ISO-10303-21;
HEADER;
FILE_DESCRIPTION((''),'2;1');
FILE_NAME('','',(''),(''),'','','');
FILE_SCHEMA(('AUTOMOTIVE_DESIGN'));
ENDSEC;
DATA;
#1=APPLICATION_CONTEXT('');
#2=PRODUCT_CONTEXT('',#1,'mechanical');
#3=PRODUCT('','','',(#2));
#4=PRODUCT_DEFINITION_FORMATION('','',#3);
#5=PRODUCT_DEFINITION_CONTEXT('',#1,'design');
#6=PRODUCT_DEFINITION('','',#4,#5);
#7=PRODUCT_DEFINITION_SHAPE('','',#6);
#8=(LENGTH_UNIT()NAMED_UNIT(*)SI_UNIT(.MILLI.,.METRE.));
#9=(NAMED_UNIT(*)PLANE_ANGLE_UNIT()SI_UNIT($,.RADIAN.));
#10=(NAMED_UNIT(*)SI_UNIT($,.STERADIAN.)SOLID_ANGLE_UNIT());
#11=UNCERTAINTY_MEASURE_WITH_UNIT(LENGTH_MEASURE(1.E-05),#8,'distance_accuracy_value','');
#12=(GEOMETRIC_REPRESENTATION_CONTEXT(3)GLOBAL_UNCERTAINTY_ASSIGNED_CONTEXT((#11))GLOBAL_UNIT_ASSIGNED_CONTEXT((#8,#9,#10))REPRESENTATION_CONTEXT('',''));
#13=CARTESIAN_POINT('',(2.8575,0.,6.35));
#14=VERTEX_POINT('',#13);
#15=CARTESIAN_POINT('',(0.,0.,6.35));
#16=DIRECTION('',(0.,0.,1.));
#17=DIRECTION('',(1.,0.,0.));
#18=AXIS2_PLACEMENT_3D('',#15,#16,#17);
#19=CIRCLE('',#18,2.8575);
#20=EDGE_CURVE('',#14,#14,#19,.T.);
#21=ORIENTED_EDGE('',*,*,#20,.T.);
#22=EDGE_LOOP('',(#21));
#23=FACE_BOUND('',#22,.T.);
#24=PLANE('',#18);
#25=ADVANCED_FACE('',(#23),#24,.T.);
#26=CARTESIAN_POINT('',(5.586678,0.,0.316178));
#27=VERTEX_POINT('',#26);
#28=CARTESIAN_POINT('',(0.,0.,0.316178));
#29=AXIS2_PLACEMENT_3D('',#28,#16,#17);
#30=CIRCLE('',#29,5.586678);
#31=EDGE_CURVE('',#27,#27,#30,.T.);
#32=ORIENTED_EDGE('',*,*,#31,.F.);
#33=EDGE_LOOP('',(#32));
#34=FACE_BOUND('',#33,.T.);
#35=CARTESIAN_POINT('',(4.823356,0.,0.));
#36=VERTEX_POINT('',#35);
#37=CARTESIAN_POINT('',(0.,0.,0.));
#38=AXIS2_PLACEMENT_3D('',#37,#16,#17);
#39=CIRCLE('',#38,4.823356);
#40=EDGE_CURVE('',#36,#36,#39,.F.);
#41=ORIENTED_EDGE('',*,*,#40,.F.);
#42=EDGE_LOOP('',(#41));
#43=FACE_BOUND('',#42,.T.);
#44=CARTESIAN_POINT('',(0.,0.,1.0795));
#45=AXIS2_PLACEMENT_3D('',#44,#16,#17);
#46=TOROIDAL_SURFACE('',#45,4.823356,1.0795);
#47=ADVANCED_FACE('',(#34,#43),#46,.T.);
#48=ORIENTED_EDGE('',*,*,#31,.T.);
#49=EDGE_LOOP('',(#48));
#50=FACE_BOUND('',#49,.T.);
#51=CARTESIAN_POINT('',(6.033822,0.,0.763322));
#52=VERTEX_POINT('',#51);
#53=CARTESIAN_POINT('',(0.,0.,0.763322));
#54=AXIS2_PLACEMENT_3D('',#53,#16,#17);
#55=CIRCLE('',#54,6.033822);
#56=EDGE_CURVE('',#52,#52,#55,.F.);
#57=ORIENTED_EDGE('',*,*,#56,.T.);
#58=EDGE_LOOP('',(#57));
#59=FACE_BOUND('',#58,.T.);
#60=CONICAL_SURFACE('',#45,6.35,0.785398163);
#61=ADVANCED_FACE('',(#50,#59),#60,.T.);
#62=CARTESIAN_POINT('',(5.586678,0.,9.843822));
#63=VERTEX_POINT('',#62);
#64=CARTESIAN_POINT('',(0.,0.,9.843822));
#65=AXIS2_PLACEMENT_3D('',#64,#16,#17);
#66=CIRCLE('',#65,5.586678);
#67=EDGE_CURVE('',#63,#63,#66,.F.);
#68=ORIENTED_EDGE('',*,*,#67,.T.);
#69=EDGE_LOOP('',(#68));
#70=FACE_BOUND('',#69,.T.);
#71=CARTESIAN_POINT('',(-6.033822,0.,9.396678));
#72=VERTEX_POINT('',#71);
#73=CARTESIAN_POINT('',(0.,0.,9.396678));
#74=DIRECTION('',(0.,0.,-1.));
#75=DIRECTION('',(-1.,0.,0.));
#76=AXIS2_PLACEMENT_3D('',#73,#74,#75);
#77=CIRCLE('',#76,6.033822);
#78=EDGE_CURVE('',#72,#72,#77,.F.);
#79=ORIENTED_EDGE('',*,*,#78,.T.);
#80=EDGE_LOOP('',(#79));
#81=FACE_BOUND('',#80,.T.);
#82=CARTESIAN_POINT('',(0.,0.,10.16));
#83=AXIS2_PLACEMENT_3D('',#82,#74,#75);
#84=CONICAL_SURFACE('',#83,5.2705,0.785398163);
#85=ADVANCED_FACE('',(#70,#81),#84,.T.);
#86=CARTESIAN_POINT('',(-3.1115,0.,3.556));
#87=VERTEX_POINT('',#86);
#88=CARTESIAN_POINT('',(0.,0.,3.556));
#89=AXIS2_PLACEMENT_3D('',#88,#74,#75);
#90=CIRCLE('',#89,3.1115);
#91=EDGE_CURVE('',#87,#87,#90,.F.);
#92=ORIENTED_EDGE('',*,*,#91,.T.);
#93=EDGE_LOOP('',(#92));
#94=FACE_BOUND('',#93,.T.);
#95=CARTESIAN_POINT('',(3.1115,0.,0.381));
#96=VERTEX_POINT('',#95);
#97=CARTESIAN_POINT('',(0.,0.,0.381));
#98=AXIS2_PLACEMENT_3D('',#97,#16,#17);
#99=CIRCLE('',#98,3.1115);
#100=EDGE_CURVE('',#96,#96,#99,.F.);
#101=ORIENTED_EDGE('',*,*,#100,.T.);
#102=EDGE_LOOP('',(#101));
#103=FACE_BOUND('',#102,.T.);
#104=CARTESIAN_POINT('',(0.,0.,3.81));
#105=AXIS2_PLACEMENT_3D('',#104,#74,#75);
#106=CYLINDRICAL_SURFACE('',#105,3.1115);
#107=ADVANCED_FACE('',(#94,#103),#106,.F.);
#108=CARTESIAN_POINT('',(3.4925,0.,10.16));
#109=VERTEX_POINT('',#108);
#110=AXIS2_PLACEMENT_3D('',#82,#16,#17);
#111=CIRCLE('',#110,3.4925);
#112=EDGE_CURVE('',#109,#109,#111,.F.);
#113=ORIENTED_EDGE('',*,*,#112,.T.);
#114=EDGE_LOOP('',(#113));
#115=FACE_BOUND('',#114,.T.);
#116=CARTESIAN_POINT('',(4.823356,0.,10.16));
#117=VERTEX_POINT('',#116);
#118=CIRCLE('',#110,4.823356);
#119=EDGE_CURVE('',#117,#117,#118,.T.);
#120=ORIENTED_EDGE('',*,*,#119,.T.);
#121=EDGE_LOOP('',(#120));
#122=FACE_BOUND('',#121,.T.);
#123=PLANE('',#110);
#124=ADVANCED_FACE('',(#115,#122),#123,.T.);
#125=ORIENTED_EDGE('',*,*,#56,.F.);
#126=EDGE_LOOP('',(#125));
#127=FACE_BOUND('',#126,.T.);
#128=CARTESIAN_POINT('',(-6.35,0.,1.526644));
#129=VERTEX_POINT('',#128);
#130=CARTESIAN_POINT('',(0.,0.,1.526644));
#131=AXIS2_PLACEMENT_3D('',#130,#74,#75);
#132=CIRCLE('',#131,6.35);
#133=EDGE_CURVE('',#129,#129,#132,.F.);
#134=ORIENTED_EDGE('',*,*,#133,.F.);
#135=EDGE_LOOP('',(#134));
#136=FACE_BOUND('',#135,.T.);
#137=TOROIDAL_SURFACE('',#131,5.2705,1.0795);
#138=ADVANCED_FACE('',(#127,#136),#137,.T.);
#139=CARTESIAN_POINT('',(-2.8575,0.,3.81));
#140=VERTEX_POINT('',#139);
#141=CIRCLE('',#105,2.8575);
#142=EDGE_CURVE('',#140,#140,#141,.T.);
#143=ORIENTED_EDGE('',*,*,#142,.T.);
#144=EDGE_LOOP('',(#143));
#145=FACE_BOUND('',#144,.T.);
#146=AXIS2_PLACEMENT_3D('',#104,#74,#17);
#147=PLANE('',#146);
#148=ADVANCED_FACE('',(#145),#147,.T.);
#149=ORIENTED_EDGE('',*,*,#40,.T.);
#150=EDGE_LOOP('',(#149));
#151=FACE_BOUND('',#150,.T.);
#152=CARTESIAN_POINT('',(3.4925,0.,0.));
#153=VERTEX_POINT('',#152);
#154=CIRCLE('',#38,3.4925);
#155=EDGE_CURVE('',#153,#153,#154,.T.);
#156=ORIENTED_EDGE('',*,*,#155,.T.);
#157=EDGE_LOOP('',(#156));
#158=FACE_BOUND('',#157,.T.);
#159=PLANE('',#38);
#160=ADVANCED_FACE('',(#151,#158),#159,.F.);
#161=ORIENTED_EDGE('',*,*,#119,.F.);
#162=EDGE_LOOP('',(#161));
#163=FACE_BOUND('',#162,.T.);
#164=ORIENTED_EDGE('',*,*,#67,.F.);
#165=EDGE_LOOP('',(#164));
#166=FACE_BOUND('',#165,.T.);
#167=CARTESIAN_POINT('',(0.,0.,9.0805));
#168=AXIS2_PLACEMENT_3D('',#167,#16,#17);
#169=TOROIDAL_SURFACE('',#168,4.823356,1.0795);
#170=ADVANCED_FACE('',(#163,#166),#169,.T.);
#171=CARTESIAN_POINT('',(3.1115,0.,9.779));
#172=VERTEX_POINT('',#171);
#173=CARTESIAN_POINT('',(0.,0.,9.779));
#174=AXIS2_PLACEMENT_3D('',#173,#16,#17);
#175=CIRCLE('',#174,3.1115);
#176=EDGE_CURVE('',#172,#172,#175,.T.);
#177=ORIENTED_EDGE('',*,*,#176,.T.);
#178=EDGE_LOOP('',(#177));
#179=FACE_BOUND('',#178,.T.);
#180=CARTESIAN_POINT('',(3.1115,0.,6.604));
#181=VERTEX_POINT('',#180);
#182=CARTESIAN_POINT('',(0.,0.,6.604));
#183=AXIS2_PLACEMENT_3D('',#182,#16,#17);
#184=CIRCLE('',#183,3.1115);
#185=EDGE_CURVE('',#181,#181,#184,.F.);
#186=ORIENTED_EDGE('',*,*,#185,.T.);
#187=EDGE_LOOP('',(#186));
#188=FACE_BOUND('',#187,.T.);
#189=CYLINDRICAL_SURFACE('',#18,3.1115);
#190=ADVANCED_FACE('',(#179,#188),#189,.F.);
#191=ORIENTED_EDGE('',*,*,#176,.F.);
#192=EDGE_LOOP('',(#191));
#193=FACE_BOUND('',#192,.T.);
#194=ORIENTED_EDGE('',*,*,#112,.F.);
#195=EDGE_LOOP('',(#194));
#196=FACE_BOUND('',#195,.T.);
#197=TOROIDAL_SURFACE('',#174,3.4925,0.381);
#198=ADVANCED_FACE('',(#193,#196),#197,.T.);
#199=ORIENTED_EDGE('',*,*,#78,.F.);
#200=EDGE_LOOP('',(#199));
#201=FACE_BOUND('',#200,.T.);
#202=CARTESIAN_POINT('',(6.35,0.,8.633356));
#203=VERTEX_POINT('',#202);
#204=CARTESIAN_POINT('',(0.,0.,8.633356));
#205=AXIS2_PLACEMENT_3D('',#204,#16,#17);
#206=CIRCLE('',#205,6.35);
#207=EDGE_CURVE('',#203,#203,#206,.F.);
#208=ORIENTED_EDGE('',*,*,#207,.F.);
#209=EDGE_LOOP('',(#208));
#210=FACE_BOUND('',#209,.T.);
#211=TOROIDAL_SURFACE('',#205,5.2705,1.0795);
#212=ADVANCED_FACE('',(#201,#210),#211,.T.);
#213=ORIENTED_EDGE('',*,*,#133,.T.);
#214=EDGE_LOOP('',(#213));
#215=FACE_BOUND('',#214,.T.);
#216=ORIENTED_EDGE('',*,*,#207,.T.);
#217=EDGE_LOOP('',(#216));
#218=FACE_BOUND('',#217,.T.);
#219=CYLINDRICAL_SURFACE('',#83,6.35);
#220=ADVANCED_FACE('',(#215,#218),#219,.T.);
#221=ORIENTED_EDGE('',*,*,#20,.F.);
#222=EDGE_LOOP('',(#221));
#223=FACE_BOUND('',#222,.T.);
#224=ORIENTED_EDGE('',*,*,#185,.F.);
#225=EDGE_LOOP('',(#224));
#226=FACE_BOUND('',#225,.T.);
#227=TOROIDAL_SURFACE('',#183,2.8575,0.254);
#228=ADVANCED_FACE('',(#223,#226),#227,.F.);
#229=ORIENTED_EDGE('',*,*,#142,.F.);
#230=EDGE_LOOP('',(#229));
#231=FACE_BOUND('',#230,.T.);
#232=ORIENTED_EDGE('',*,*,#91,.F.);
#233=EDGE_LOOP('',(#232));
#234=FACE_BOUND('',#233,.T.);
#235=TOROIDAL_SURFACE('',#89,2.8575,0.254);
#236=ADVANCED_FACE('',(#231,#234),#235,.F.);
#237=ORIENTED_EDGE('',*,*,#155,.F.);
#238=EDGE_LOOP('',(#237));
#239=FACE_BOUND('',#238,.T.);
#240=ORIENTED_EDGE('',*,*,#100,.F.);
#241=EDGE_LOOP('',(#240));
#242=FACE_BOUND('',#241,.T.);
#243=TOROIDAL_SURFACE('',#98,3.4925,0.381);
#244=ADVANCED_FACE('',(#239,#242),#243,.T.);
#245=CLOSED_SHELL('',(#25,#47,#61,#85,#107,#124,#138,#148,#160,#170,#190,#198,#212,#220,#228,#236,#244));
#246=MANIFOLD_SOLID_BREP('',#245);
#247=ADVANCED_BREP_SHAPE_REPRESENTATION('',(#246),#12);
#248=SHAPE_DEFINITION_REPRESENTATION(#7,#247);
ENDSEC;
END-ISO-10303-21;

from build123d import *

# Parameters (mm, degrees)
SKETCH1_R           = 6.35
BOSS_EXTRUDE1_DEPTH = 10.16
SKETCH2_R           = 3.1115
CUT_EXTRUDE1_DEPTH  = 3.81
CHAMFER1_SIZE       = 1.0795
FILLET1_R           = 0.254
FILLET2_R           = 0.381
FILLET3_R           = 1.0795


with BuildPart() as part:
    # Sketch1 → Boss-Extrude1 (new body)
    with BuildSketch(Plane.XY):
        Circle(SKETCH1_R)
    extrude(amount=BOSS_EXTRUDE1_DEPTH)

    # Sketch2 → Cut-Extrude1 (cut)
    with BuildSketch(Plane.XY.offset(10.16)):
        Circle(SKETCH2_R)
    cut_extrude1 = extrude(amount=-CUT_EXTRUDE1_DEPTH, mode=Mode.SUBTRACT)

    # Mirror1: Cut-Extrude1 across plane
    add(cut_extrude1.mirror(Plane.XY.offset(5.08)), mode=Mode.SUBTRACT)

    # Chamfer1
    chamfer1_edges = [part.edges().sort_by_distance(p)[0] for p in [
        (-6.35, 0, 0),
        (-6.35, 0, 10.16),
    ]]
    chamfer(chamfer1_edges, length=CHAMFER1_SIZE)

    # Fillet1
    fillet1_edges = [part.edges().sort_by_distance(p)[0] for p in [
        (-3.1115, 0, 3.81),
        (-3.1115, 0, 6.35),
    ]]
    fillet(fillet1_edges, radius=FILLET1_R)

    # Fillet2
    fillet2_edges = [part.edges().sort_by_distance(p)[0] for p in [
        (-3.1115, 0, 0),
        (-3.1115, 0, 10.16),
    ]]
    fillet(fillet2_edges, radius=FILLET2_R)

    # Fillet3
    fillet3_edges = [part.edges().sort_by_distance(p)[0] for p in [
        (-6.35, 0, 9.0805),
        (-6.35, 0, 1.0795),
        (-5.2705, 0, 0),
        (-5.2705, 0, 10.16),
    ]]
    fillet(fillet3_edges, radius=FILLET3_R)


solid = part.part
